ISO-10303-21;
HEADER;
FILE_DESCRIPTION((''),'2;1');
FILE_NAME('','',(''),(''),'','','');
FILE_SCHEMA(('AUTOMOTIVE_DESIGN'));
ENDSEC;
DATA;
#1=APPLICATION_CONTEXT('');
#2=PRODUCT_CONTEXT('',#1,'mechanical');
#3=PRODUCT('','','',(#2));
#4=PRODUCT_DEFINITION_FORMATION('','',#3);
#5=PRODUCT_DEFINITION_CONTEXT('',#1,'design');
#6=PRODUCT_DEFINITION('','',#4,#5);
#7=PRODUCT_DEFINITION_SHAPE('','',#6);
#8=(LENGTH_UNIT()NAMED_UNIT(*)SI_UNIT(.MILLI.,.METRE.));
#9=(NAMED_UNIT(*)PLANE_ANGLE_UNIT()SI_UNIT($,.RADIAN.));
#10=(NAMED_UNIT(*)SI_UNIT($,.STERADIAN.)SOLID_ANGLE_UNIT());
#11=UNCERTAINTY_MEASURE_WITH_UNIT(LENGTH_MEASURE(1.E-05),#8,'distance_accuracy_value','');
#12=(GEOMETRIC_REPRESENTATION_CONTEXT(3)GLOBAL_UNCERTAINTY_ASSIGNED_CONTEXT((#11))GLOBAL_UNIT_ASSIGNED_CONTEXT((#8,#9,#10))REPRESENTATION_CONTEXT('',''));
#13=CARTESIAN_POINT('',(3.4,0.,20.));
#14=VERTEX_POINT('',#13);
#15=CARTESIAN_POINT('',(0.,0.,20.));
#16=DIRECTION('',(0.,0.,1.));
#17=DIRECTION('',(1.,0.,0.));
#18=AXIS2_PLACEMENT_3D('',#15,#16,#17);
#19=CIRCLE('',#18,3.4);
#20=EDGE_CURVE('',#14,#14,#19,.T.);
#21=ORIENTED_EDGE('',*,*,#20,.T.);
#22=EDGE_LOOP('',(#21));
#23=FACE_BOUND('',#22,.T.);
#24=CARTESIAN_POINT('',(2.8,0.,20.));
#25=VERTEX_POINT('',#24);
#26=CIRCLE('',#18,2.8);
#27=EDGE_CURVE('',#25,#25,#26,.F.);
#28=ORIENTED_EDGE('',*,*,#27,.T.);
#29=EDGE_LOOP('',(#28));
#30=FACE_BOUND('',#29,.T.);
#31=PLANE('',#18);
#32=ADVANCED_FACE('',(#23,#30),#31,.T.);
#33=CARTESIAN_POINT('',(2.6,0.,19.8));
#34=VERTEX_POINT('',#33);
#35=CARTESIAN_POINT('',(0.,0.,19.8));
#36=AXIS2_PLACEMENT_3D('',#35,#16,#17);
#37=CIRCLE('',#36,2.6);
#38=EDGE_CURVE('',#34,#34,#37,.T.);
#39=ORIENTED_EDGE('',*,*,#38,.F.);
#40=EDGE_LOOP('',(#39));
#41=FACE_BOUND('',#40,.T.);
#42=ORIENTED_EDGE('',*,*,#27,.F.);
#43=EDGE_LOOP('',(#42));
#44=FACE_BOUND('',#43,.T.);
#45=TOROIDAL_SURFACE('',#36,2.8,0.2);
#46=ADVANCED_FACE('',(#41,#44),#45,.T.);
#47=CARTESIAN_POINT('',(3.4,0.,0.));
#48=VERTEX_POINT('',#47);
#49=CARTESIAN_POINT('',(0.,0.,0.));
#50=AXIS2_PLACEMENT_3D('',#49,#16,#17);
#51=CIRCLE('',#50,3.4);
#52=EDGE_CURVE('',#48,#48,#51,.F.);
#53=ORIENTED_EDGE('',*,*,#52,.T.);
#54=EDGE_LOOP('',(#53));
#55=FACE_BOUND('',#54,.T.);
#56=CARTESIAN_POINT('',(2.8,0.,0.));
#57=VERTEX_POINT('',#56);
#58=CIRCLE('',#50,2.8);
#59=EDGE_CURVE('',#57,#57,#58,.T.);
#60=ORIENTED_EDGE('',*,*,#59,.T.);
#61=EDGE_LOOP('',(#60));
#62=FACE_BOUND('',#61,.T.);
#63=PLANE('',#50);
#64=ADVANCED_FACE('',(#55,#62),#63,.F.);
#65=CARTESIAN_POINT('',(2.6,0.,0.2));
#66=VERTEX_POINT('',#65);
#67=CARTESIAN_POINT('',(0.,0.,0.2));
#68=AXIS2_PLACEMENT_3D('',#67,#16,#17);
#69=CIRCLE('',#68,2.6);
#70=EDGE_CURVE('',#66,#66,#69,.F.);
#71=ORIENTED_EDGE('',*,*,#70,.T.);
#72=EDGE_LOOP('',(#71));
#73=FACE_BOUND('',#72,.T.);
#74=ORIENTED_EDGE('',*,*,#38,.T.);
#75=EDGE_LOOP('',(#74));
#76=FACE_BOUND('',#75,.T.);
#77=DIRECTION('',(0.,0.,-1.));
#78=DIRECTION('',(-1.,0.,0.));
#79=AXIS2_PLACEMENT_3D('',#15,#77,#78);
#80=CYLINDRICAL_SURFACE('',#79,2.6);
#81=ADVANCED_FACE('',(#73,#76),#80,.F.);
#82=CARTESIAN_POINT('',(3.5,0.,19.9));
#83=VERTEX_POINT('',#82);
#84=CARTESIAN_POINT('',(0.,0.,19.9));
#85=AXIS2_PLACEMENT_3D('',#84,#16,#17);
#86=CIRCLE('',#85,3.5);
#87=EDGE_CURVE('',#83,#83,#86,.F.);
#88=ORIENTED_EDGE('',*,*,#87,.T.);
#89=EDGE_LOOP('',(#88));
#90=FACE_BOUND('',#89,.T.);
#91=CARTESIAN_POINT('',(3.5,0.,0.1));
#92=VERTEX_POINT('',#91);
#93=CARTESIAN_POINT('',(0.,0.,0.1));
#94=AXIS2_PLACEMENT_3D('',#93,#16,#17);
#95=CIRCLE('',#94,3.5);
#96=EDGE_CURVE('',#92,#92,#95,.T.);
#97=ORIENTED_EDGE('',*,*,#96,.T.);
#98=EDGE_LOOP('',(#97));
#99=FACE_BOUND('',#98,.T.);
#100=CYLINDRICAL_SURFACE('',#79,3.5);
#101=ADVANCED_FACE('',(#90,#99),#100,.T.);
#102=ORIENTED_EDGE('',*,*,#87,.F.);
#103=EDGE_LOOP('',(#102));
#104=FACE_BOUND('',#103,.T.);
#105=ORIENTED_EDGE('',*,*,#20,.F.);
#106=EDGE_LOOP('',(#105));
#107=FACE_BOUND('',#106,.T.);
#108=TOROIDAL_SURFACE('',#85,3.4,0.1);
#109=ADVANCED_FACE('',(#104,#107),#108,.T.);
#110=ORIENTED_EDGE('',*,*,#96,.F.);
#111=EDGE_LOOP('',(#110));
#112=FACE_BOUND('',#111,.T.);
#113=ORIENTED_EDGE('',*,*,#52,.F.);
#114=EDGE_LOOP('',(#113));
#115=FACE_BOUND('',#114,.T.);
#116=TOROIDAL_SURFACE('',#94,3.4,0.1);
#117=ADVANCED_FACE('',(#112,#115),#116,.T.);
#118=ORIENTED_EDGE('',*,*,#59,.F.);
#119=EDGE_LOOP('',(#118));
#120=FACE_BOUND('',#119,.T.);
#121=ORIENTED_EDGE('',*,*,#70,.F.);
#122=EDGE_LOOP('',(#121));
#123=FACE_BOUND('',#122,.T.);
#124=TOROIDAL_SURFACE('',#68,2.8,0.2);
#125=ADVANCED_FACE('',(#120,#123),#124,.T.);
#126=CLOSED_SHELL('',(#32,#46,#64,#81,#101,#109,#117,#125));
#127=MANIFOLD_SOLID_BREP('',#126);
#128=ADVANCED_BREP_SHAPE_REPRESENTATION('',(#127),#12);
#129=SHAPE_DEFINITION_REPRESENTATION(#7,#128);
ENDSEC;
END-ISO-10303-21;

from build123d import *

# Parameters (mm, degrees)
CROQUIS1_R              = 3.5
CROQUIS1_R_2            = 2.6
SALIENTE_EXTRUIR2_DEPTH = 20
REDONDEO5_R             = 0.1
REDONDEO6_R             = 0.2


with BuildPart() as part:
    # Croquis1 → Saliente-Extruir2 (new body)
    with BuildSketch(Plane.XY):
        Circle(CROQUIS1_R)
        Circle(CROQUIS1_R_2, mode=Mode.SUBTRACT)
    extrude(amount=SALIENTE_EXTRUIR2_DEPTH)

    # Redondeo5
    redondeo5_edges = [part.edges().sort_by_distance(p)[0] for p in [
        (-3.5, 0, 0),
        (-3.5, 0, 20),
    ]]
    fillet(redondeo5_edges, radius=REDONDEO5_R)

    # Redondeo6
    redondeo6_edges = [part.edges().sort_by_distance(p)[0] for p in [
        (-2.6, 0, 0),
        (-2.6, 0, 20),
    ]]
    fillet(redondeo6_edges, radius=REDONDEO6_R)


solid = part.part
